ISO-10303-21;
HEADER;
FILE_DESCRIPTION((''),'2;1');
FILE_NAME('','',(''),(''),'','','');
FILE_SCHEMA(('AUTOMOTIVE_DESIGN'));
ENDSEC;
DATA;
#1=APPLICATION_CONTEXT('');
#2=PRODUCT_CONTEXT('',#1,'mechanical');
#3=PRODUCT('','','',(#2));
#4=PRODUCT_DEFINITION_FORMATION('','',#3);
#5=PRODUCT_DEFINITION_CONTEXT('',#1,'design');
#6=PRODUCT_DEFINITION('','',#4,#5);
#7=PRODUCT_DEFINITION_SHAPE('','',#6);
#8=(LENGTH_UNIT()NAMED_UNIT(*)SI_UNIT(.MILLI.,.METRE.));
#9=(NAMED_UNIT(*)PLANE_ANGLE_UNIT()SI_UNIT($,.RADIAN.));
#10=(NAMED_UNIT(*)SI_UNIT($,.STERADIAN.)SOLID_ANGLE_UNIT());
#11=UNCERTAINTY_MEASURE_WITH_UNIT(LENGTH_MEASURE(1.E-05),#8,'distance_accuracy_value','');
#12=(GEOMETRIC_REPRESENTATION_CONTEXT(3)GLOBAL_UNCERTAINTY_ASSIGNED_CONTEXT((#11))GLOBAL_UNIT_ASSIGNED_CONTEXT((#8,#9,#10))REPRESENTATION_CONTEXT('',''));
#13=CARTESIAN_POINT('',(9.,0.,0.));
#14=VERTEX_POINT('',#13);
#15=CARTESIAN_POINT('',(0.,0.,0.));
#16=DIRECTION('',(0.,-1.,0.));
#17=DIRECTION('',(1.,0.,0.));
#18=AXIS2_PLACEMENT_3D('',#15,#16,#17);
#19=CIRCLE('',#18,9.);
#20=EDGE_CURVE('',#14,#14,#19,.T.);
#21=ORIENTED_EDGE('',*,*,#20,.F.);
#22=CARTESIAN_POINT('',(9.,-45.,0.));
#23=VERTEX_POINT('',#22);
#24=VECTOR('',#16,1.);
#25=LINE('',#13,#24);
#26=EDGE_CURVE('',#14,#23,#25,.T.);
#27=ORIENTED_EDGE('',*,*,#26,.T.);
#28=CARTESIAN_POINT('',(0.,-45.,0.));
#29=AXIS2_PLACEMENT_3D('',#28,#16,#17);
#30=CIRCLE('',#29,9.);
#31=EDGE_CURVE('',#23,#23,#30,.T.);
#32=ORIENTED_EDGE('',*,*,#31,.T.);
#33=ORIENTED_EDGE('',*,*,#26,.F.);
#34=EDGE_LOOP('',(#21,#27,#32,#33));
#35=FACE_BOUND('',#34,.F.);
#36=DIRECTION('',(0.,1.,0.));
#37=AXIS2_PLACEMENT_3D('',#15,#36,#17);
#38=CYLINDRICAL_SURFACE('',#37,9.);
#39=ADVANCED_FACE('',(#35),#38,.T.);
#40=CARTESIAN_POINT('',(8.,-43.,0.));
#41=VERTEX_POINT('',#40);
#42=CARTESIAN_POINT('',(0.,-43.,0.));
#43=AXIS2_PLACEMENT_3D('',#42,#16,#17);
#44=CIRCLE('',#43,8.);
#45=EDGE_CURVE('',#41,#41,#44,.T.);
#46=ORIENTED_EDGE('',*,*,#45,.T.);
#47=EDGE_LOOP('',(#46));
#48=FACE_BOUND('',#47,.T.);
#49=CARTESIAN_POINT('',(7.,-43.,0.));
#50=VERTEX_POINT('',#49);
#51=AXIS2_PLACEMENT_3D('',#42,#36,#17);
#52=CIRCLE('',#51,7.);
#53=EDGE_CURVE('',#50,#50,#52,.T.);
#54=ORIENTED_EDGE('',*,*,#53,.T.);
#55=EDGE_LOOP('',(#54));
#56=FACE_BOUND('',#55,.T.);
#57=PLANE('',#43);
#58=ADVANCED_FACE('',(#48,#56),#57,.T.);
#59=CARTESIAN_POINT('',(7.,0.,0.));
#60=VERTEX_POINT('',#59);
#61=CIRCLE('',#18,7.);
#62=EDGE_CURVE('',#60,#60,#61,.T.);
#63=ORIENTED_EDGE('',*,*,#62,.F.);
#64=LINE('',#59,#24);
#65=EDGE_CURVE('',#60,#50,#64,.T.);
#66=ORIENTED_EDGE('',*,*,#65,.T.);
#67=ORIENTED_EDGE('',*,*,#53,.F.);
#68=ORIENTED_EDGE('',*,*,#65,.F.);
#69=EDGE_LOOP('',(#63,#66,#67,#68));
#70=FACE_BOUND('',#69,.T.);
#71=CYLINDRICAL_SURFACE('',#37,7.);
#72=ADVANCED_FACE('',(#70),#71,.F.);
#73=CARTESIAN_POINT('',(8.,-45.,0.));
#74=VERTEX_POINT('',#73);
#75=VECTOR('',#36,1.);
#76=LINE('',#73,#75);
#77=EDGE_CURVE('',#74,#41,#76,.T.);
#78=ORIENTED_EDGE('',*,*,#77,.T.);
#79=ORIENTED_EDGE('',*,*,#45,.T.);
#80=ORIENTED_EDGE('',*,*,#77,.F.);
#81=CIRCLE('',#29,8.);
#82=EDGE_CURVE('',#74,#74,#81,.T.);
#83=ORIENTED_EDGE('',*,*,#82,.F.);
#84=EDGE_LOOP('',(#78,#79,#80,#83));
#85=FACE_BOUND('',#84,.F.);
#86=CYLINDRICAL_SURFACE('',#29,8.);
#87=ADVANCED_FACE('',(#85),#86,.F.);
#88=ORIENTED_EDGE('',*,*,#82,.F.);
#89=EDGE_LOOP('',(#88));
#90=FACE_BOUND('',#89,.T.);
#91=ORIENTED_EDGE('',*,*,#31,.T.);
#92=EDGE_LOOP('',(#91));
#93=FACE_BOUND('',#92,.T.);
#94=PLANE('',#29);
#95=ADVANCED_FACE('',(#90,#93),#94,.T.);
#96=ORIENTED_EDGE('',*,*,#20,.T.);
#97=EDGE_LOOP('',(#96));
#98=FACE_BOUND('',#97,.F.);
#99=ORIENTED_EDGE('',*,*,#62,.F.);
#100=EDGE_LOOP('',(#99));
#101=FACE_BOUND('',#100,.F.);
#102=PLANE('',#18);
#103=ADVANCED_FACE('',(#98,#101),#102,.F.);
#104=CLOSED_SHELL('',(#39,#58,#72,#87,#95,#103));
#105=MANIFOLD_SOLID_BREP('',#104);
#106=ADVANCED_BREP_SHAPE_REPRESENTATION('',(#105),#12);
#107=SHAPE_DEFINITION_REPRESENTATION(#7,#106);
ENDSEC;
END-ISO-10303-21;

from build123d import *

# Parameters (mm, degrees)
F0_R     = 9
F0_R_2   = 7
F1_DEPTH = 45
F3_R     = 8
F4_DEPTH = 2


with BuildPart() as f1:
    # F0 (on Front) → F1 (new body)
    with BuildSketch(Plane.XZ):
        Circle(F0_R)
        Circle(F0_R_2, mode=Mode.SUBTRACT)
    extrude(amount=F1_DEPTH)

    # F3 (on offset) → F4 (cut)
    with BuildSketch(Plane.XZ.offset(45)):
        Circle(F3_R)
    extrude(amount=-F4_DEPTH, mode=Mode.SUBTRACT)


solid = f1.part
